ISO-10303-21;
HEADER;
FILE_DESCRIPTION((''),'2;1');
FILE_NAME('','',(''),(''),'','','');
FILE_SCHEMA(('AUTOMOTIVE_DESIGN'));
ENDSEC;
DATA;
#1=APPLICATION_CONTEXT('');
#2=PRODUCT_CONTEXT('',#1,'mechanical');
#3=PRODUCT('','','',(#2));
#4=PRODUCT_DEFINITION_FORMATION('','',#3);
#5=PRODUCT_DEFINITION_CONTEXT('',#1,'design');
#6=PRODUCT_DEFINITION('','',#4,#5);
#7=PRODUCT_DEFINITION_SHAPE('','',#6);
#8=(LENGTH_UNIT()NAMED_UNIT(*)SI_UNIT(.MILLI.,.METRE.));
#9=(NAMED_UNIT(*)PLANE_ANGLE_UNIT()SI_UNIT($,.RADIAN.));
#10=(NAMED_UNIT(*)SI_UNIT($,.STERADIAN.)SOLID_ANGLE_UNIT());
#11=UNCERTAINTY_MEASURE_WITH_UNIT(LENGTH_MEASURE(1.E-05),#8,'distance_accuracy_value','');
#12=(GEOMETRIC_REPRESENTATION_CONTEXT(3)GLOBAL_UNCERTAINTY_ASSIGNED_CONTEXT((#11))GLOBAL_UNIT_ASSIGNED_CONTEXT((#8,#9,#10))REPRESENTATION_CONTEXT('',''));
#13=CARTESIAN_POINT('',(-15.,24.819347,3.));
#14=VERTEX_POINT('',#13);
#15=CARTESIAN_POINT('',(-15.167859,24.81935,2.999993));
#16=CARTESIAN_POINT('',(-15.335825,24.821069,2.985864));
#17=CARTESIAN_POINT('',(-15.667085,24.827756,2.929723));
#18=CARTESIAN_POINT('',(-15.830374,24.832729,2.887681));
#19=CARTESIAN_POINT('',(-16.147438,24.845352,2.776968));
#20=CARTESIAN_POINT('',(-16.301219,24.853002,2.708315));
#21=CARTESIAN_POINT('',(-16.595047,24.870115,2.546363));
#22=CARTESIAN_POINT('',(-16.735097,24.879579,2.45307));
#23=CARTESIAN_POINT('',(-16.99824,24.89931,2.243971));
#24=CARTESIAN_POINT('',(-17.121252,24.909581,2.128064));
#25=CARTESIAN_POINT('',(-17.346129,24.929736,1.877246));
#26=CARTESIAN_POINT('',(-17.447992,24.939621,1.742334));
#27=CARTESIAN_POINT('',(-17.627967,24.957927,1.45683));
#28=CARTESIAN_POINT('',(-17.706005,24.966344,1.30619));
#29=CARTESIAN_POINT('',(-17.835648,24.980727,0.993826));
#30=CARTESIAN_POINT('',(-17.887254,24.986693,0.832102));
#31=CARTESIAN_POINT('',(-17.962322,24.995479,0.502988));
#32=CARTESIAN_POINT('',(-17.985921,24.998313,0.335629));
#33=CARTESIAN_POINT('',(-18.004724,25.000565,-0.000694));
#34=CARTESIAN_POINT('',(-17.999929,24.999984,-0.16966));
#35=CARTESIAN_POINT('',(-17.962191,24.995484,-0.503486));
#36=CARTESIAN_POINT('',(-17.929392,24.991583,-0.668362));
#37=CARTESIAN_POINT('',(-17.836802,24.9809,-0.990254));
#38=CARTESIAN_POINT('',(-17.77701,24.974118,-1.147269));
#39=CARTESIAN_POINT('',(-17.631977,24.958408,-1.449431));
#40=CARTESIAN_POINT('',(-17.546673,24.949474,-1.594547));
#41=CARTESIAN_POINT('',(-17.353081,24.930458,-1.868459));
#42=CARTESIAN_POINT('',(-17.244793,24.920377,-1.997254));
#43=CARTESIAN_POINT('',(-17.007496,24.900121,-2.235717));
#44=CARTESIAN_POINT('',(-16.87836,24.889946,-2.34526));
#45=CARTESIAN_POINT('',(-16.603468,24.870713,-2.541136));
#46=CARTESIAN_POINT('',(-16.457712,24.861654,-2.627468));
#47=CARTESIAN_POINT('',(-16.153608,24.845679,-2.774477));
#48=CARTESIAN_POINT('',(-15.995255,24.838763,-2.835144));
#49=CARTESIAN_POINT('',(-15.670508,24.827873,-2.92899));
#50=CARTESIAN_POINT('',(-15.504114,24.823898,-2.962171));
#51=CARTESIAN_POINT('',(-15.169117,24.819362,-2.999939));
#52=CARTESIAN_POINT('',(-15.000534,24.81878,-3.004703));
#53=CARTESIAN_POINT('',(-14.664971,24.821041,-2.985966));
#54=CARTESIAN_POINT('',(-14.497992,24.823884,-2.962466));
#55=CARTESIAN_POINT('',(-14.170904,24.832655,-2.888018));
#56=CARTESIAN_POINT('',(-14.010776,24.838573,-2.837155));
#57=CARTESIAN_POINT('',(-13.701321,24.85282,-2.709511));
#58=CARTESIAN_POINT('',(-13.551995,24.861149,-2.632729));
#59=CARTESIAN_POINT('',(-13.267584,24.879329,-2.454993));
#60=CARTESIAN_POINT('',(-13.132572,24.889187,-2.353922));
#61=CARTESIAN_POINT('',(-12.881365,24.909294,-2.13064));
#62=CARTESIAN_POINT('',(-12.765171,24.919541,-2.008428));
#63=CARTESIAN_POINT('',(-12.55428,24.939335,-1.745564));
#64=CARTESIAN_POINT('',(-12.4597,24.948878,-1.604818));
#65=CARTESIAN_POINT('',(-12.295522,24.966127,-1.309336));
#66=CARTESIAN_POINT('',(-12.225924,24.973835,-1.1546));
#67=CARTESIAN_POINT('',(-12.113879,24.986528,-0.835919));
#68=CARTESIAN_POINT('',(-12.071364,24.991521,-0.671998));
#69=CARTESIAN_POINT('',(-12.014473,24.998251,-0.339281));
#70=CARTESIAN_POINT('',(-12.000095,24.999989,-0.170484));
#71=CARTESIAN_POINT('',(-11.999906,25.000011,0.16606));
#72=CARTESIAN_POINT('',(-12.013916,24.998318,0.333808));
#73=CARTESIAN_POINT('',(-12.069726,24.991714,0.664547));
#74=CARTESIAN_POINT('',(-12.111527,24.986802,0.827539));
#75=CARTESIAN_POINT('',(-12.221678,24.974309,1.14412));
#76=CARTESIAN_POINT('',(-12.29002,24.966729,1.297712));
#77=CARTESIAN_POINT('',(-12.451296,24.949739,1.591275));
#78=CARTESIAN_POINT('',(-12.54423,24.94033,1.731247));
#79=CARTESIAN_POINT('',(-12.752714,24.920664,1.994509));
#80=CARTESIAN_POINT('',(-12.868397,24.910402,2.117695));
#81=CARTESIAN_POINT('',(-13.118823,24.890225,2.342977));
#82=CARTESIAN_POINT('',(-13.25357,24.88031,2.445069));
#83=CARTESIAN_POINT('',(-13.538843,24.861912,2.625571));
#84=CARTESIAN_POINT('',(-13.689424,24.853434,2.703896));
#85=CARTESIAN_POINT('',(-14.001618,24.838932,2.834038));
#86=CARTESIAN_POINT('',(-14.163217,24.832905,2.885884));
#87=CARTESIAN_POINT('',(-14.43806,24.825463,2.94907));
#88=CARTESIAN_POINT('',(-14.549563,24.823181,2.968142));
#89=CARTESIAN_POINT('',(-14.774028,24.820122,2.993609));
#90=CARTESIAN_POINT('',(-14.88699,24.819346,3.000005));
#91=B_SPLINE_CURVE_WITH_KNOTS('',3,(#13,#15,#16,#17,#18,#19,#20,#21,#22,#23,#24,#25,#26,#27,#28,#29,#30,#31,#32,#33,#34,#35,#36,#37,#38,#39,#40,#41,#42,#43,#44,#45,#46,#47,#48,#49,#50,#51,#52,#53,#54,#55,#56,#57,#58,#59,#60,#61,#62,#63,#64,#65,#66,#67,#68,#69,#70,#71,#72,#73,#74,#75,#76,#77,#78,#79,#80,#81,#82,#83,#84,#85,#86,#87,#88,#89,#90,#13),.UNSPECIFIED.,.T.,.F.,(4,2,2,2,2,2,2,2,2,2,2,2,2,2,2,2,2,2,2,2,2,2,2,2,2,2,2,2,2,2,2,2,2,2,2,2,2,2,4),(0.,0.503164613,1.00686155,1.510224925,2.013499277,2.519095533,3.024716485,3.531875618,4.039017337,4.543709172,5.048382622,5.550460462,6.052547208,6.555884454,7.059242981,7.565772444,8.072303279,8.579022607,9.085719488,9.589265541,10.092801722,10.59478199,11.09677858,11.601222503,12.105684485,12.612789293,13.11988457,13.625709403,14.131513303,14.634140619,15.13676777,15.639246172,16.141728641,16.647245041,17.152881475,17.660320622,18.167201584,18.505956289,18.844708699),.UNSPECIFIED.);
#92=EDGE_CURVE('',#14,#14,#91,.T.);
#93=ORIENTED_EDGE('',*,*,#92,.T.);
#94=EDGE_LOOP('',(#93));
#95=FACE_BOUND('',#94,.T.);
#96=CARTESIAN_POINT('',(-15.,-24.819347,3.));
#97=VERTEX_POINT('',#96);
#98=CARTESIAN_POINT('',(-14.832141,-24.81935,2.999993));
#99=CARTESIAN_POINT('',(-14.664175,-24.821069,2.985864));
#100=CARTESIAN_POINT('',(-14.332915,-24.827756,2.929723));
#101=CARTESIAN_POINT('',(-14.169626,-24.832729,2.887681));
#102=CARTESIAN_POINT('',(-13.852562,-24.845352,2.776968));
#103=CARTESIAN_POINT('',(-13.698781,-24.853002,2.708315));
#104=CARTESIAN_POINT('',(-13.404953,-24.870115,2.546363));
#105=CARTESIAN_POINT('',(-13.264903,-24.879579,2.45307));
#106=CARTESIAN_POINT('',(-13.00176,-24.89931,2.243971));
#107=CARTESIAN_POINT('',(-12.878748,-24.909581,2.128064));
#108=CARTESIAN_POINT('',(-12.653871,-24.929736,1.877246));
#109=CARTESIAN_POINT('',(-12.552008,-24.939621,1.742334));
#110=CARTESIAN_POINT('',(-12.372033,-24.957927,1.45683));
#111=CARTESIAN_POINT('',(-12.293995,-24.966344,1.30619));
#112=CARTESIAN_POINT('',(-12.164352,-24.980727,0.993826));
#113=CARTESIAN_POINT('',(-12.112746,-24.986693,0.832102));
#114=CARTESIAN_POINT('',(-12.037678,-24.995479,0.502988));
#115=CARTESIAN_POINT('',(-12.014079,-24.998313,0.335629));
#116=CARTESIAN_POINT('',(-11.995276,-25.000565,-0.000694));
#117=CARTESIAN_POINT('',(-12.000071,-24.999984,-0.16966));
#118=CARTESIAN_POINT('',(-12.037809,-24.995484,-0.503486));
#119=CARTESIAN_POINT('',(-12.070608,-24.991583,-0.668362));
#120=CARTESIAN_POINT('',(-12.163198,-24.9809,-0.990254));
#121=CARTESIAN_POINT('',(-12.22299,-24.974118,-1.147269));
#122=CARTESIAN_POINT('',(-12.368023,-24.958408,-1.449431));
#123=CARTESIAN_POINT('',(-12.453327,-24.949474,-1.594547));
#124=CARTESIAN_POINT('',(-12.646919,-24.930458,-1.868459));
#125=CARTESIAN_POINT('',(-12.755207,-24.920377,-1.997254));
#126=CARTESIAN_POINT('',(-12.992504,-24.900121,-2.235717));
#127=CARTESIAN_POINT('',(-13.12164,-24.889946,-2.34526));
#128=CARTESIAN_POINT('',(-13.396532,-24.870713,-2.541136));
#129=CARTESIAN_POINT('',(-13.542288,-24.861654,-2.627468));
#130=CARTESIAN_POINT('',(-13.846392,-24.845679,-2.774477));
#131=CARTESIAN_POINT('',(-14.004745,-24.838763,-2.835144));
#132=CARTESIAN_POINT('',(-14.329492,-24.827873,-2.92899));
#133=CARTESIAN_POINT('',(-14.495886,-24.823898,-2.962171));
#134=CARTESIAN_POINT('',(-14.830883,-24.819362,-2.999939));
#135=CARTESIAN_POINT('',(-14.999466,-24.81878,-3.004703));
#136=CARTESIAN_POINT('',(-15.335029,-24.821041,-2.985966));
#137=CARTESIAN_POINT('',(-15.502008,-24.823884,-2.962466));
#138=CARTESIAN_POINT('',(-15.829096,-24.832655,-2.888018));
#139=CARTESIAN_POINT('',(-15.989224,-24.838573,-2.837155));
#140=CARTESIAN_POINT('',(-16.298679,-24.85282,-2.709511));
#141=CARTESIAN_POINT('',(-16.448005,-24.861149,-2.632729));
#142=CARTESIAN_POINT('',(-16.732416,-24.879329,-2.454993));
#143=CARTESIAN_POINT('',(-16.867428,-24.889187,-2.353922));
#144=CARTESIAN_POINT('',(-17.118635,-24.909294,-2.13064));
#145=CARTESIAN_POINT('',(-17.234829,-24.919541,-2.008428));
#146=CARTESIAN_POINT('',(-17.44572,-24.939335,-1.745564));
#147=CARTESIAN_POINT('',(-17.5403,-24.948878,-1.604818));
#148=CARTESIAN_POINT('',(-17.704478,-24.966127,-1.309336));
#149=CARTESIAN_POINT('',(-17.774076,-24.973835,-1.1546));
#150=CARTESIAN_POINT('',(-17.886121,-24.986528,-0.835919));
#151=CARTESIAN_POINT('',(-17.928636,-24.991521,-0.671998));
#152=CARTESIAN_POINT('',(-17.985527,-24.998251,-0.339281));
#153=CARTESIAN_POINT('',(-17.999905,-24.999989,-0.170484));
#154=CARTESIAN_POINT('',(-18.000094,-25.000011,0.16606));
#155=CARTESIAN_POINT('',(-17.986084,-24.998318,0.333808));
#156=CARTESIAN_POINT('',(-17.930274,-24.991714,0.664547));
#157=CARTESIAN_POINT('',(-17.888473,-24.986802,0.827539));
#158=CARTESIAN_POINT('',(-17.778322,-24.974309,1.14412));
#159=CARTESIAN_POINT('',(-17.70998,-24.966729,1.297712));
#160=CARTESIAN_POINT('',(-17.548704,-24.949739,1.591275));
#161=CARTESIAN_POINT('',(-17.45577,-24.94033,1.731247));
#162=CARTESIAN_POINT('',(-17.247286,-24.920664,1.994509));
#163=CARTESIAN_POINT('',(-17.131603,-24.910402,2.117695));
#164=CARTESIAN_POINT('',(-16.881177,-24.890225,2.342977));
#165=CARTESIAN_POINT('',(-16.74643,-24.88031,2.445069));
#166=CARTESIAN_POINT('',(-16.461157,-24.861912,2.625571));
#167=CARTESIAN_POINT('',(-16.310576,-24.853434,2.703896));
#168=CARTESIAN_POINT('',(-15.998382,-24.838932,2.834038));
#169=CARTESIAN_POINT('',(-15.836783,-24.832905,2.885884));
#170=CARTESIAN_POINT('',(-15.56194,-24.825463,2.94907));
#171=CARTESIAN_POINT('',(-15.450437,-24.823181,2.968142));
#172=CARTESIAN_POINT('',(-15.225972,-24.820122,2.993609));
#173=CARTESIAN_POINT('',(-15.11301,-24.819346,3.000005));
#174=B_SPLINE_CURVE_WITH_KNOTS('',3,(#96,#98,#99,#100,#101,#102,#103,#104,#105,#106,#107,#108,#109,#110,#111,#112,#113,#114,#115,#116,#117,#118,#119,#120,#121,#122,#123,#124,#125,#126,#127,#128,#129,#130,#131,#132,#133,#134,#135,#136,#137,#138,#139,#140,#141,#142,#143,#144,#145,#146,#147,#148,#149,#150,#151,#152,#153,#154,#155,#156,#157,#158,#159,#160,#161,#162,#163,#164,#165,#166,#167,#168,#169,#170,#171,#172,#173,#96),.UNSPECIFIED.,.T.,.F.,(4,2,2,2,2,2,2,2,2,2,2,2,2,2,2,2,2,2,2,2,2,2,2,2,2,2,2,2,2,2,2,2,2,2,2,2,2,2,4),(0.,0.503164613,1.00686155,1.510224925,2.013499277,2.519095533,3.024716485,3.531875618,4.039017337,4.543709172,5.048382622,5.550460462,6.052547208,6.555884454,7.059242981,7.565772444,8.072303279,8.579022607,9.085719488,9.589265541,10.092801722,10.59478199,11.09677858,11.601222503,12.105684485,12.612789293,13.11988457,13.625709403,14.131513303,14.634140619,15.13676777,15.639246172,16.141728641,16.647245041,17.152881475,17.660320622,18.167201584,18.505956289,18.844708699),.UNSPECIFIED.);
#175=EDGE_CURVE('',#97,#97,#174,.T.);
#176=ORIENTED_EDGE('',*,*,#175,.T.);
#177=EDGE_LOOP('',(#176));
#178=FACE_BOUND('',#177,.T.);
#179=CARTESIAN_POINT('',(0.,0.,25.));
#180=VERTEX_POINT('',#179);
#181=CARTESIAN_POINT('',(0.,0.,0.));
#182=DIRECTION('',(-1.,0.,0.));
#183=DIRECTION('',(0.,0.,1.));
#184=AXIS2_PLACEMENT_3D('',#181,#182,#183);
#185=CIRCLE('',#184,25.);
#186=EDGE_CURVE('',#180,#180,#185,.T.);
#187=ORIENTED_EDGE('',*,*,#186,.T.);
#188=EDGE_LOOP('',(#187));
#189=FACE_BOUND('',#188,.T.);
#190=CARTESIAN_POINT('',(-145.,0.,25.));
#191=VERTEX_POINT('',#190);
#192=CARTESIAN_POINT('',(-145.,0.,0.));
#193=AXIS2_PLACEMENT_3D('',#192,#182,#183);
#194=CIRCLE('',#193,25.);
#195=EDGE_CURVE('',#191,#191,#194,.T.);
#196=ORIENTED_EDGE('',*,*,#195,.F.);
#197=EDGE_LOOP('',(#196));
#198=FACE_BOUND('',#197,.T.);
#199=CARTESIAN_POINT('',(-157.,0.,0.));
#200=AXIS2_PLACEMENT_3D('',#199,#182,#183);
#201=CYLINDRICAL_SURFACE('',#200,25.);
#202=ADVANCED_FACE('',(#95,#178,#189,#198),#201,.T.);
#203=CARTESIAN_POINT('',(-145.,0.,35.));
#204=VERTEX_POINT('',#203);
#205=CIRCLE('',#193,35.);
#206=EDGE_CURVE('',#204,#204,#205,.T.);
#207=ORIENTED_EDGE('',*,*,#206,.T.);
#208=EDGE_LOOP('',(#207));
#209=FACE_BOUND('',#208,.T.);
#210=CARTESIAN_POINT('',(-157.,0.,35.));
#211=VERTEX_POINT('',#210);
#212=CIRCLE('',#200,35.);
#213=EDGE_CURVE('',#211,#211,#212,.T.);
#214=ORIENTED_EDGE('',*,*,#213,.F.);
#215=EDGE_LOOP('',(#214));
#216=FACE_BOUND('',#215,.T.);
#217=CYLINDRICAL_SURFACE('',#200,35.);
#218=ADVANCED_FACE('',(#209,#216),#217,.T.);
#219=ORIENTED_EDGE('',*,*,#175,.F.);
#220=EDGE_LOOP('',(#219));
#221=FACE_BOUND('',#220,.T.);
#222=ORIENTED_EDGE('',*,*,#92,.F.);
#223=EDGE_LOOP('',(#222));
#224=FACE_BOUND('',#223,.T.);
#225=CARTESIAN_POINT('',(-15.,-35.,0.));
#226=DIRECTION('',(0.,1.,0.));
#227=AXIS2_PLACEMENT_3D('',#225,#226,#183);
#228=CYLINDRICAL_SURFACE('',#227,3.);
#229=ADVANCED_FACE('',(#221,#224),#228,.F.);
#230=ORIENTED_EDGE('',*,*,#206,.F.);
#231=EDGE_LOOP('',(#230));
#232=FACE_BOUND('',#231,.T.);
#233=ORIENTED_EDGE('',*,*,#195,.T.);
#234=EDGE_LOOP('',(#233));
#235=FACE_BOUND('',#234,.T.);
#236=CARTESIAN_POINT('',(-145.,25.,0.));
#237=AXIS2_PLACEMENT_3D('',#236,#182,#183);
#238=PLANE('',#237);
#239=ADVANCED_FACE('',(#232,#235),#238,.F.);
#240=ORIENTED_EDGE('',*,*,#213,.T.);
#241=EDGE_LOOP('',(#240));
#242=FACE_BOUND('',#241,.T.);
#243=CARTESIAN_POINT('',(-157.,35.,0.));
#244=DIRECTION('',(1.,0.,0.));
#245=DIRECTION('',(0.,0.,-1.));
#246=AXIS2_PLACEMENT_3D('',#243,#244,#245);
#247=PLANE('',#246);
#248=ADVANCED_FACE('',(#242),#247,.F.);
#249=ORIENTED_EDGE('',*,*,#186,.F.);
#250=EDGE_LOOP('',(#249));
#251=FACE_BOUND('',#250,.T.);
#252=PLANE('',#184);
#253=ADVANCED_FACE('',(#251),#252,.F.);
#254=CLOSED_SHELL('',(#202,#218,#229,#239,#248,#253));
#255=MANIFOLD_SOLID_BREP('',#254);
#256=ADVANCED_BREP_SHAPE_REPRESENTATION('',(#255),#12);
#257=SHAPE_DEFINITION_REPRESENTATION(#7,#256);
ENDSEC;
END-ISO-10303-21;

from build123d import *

# Parameters (mm, degrees)
CUT_EXTRUDE1_DEPTH      = 165.61773902
CUT_EXTRUDE1_DEPTH_BACK = 165.61773902
SKETCH2_R               = 3


with BuildPart() as part:
    # Sketch1 → Revolve1 (revolve)
    with BuildSketch(Plane.XY, mode=Mode.PRIVATE) as revolve1_sk:
        Polygon((0, 0), (0, 25), (-145, 25), (-145, 35), (-157, 35), (-157, 0), align=None)
    revolve(revolve1_sk.sketch.rotate(Axis((-157, 0, 0), (1, 0, 0)), 90), axis=Axis((-157, 0, 0), (1, 0, 0)))

    # Sketch2 → Cut-Extrude1 (cut, two sides: drawn at the far end of the back side and taken through both)
    with BuildSketch(Plane(origin=(0, 0, 0), x_dir=(1, 0, 0), z_dir=(0, 1, 0)).offset(-CUT_EXTRUDE1_DEPTH_BACK)):
        with Locations(Location((-15, 0, 0), (0, 0, 270))):
            Circle(SKETCH2_R)
    extrude(amount=CUT_EXTRUDE1_DEPTH + CUT_EXTRUDE1_DEPTH_BACK, mode=Mode.SUBTRACT)


solid = part.part
